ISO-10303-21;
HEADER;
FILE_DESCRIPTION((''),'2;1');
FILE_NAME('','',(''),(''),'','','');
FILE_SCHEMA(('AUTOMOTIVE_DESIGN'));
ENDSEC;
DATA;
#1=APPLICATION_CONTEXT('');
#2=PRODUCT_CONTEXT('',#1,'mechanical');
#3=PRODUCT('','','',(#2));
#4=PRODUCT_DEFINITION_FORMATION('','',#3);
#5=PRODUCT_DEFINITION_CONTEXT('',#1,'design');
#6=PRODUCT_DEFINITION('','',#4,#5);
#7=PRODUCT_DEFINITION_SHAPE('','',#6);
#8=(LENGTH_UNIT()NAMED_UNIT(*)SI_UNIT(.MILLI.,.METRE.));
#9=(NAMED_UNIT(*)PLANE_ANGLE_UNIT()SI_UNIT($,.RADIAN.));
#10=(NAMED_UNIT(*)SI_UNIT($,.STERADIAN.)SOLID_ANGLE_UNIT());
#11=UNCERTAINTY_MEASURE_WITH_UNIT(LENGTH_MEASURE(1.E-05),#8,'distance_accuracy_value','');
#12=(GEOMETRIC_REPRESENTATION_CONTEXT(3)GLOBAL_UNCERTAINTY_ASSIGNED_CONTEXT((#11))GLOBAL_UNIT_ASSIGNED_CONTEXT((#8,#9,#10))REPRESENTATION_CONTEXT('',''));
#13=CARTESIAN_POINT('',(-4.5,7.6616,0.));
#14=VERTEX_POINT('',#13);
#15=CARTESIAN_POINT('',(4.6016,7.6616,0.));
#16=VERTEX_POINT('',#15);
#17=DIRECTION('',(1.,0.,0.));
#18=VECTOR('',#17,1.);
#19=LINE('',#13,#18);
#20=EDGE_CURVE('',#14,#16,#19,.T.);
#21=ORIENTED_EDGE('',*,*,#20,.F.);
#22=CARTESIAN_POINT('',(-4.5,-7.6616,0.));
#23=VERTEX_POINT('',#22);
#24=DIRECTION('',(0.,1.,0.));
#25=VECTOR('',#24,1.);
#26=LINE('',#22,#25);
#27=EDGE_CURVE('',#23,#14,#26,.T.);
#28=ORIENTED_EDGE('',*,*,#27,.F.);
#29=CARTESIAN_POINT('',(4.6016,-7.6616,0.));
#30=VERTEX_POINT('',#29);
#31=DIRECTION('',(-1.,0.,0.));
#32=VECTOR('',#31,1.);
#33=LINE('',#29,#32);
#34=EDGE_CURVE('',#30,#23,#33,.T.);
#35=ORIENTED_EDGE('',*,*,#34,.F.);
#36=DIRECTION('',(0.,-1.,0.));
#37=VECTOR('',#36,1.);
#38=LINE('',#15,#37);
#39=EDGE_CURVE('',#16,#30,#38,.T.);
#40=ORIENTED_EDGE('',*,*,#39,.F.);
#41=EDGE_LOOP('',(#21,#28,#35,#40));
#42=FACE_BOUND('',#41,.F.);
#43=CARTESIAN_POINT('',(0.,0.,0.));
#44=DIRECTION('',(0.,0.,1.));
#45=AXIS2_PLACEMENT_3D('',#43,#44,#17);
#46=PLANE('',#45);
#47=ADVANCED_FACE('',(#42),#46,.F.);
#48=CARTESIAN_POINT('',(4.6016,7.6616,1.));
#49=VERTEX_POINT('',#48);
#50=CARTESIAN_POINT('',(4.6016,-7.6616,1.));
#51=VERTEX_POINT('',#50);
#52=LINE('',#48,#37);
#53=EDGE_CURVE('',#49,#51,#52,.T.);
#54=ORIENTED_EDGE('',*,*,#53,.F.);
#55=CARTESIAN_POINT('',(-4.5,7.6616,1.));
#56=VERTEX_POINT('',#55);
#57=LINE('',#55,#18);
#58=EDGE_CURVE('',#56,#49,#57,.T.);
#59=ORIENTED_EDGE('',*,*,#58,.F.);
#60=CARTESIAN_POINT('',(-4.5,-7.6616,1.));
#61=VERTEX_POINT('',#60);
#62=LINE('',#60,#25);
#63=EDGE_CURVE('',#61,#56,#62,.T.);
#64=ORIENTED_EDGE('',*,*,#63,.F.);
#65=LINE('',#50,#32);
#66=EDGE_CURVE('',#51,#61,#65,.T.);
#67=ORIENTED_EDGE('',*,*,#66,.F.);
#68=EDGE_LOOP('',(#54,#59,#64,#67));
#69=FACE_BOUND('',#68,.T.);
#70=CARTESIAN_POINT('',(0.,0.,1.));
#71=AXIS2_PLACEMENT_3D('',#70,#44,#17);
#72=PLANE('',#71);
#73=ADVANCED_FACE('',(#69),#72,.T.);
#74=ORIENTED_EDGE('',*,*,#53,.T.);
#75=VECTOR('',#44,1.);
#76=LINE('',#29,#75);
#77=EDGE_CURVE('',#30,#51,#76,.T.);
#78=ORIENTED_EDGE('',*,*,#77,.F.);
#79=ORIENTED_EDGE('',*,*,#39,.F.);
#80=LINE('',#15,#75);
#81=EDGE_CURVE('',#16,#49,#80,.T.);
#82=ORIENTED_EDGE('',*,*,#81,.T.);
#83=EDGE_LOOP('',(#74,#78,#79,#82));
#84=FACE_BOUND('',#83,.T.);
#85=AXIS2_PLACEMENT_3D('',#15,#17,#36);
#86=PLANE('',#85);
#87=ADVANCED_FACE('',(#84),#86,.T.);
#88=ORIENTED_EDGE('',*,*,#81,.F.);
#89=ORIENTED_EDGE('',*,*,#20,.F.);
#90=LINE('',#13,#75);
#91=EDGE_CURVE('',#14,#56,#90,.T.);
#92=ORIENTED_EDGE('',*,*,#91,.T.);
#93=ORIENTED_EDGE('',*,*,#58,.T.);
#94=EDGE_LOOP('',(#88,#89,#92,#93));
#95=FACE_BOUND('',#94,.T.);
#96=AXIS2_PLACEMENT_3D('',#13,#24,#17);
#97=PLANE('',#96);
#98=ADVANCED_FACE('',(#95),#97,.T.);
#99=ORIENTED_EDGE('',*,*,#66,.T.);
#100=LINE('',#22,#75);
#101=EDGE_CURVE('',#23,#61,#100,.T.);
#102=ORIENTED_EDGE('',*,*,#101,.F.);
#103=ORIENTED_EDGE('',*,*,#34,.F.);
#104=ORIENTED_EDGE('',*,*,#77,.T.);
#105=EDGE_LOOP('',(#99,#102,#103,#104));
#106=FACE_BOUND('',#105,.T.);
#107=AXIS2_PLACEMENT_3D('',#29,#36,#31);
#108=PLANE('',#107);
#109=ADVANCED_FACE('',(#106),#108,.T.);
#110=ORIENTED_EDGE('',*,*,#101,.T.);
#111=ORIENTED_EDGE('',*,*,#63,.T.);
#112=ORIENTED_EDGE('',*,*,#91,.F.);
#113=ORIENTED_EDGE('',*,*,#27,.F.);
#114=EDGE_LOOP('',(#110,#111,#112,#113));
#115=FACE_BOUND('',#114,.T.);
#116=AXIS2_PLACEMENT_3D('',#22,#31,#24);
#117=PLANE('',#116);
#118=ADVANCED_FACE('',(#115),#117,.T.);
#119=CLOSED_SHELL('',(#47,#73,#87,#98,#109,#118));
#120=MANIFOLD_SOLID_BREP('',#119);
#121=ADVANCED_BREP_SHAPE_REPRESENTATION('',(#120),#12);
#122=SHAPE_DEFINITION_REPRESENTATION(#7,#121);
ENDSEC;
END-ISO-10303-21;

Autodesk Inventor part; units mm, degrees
ref_plane "YZ Plane" through (0, 0, 0) normal (1, 0, 0) x (0, 1, 0)
ref_plane "XZ Plane" through (0, 0, 0) normal (0, 1, 0) x (-1, 0, 0)
ref_plane "XY Plane" through (0, 0, 0) normal (0, 0, 1) x (1, 0, 0)
sketch "2X3-SHROUDED, J5_2X3-SHROUDED_58" plane through (0, 0, 0) normal (0, 0, 1) x (1, 0, 0)
  line L0 (-4.5, 7.6616) -> (4.6016, 7.6616)
  line L1 (4.6016, 7.6616) -> (4.6016, -7.6616)
  line L2 (4.6016, -7.6616) -> (-4.5, -7.6616)
  line L3 (-4.5, -7.6616) -> (-4.5, 7.6616)
extrude "Extrusion1" add sketch "2X3-SHROUDED, J5_2X3-SHROUDED_58" along normal blind 1
properties part number "J5_2X3-SHROUDED"
